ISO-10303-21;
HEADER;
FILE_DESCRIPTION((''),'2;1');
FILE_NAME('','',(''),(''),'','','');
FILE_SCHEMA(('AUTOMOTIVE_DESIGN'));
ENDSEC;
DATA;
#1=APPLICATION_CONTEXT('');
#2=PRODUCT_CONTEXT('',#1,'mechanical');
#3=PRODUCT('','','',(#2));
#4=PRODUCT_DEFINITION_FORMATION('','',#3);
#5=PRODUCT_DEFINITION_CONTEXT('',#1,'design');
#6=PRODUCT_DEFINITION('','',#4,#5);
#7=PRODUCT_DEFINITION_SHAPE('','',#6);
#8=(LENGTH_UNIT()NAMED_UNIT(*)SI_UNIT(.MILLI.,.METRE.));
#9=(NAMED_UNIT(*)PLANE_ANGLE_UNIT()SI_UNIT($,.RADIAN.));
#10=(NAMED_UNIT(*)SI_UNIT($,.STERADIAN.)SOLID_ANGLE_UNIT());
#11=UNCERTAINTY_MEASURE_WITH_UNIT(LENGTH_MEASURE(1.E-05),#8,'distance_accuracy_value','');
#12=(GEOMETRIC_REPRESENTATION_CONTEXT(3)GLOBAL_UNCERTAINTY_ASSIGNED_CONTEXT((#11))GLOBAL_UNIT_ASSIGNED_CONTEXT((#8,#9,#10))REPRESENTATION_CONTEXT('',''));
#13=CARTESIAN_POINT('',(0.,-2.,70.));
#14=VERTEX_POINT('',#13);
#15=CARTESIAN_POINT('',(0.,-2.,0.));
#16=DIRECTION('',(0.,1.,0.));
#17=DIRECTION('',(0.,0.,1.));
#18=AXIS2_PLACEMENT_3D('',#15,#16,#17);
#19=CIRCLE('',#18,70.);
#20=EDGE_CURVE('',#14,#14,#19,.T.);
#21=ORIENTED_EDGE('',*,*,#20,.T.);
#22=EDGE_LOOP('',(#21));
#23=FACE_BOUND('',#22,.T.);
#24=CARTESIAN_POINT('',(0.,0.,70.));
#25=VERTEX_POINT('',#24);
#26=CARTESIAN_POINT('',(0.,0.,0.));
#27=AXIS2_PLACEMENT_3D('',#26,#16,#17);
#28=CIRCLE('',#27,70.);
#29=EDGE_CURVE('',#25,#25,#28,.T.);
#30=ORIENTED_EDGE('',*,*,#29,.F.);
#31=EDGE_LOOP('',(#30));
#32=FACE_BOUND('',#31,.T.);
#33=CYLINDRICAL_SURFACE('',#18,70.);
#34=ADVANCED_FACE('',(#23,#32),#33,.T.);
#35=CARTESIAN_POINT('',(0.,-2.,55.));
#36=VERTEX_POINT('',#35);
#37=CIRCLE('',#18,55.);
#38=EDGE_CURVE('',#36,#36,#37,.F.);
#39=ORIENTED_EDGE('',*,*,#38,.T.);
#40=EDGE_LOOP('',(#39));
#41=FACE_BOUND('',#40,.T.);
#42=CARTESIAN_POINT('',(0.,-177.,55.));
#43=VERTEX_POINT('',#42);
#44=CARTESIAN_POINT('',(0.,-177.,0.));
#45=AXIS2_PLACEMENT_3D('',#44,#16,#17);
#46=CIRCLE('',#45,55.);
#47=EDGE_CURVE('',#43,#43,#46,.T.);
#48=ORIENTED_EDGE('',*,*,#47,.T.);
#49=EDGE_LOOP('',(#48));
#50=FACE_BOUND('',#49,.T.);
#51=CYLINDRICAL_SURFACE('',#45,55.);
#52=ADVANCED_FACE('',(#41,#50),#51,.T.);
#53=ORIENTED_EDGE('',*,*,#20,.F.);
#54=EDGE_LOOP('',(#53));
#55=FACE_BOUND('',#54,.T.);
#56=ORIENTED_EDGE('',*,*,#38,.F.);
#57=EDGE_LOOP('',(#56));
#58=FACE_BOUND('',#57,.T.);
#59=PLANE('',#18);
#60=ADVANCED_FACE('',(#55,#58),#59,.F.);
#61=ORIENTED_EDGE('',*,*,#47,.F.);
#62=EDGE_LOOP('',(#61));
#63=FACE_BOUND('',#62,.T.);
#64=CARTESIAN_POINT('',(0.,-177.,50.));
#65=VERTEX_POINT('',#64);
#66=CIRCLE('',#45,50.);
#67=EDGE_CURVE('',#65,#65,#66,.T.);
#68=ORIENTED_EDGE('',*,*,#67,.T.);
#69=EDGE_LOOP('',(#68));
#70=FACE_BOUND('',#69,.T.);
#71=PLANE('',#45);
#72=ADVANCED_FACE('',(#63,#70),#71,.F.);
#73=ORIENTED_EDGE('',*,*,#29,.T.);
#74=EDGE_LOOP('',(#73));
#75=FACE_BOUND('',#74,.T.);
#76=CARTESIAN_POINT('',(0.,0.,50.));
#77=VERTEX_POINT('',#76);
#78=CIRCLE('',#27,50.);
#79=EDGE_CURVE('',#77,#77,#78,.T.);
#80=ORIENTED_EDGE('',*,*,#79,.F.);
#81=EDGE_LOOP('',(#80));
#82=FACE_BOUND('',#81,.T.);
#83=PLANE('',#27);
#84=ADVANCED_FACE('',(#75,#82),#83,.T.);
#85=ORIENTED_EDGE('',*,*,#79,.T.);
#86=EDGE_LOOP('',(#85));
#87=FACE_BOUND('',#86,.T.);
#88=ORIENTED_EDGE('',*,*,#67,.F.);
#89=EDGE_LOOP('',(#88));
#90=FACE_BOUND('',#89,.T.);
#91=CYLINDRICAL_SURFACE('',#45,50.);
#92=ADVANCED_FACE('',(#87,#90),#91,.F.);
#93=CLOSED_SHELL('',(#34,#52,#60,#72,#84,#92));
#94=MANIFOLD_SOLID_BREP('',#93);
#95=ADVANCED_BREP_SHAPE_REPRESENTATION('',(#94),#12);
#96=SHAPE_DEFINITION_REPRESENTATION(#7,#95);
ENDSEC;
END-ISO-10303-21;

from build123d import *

# Parameters (mm, degrees)
CROQUIS1_R              = 55
CROQUIS1_R_2            = 50
SALIENTE_EXTRUIR1_DEPTH = 177
CROQUIS2_R              = 70
CROQUIS2_R_2            = 50
SALIENTE_EXTRUIR2_DEPTH = 2


with BuildPart() as part:
    # Croquis1 → Saliente-Extruir1 (new body)
    with BuildSketch(Plane(origin=(0, 0, 0), x_dir=(1, 0, 0), z_dir=(0, 1, 0))):
        Circle(CROQUIS1_R)
        Circle(CROQUIS1_R_2, mode=Mode.SUBTRACT)
    extrude(amount=-SALIENTE_EXTRUIR1_DEPTH)

    # Croquis2 → Saliente-Extruir2 (add)
    with BuildSketch(Plane(origin=(0, 0, 0), x_dir=(1, 0, 0), z_dir=(0, 1, 0))):
        Circle(CROQUIS2_R)
        Circle(CROQUIS2_R_2, mode=Mode.SUBTRACT)
    extrude(amount=-SALIENTE_EXTRUIR2_DEPTH)


solid = part.part
